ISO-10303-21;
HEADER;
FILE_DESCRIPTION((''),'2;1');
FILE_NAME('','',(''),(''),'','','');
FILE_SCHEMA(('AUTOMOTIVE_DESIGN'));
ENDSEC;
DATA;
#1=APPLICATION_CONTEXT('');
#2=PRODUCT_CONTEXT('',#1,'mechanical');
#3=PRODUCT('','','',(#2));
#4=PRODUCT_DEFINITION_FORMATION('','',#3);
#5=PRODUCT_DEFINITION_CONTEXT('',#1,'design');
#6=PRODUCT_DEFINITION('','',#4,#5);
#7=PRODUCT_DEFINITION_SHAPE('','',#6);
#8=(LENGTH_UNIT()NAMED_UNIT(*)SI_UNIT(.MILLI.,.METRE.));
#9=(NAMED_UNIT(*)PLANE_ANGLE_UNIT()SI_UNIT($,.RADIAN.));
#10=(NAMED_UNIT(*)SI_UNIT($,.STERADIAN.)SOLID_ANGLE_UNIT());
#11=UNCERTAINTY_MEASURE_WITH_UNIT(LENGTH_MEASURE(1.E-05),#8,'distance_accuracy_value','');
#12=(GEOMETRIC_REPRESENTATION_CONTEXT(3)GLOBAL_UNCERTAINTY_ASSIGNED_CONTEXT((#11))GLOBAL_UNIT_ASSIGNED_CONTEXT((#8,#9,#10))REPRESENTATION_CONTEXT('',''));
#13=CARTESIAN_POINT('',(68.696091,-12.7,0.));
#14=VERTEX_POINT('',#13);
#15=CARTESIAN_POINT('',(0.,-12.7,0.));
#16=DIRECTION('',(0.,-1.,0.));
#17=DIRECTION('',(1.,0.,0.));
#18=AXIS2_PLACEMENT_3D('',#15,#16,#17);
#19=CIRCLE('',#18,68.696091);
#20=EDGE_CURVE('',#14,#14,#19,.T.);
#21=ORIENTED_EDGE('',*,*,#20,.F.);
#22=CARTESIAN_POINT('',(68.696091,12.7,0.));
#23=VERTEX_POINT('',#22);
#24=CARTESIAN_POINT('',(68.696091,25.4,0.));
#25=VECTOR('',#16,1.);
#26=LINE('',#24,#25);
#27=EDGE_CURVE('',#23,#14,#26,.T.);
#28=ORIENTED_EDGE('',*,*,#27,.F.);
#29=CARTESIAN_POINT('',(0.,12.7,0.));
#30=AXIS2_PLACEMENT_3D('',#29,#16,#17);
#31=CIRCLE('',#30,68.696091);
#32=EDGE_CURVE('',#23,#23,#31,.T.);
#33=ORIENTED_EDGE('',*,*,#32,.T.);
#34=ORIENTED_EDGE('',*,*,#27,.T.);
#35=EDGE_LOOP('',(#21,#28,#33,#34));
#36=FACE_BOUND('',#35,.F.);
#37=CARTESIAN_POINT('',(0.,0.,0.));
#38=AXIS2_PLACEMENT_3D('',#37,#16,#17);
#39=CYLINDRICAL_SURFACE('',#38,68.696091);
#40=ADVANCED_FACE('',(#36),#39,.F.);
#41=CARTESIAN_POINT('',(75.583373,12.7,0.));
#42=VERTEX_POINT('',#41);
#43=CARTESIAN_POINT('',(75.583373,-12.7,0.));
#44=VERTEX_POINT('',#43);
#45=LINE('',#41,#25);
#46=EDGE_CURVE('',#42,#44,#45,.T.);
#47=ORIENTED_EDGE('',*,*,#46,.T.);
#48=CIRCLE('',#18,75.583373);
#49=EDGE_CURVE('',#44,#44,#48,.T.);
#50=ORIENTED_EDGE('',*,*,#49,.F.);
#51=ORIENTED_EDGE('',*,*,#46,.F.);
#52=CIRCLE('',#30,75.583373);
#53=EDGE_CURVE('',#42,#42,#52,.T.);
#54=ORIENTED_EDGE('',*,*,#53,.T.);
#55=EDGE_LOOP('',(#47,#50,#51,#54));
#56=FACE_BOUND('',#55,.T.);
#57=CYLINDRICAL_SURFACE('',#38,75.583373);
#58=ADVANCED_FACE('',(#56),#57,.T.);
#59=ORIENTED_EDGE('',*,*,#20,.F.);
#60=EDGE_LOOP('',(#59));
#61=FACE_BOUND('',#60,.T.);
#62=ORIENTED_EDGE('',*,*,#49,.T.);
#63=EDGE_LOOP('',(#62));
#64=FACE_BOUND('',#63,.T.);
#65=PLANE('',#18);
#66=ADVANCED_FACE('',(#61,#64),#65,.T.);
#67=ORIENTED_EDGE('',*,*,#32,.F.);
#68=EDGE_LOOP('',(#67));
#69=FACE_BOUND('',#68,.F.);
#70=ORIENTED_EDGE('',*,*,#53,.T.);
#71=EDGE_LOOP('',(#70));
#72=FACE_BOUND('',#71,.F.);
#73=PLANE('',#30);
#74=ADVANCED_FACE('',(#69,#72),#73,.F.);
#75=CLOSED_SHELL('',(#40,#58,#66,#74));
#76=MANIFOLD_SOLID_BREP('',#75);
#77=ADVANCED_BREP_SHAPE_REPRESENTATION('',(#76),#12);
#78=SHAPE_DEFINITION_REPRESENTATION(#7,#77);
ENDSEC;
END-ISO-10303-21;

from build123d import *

# Parameters (mm, degrees)
F0_R     = 75.583373
F1_DEPTH = 12.7
F2_R     = 68.696091
F3_DEPTH = 25.4


with BuildPart() as f1:
    # F0 (on Front) → F1 (new body, symmetric)
    with BuildSketch(Plane.XZ):
        Circle(F0_R)
    extrude(amount=F1_DEPTH, both=True)

    # F2 (on Front) → F3 (cut, symmetric)
    with BuildSketch(Plane.XZ):
        Circle(F2_R)
    extrude(amount=F3_DEPTH, both=True, mode=Mode.SUBTRACT)


solid = f1.part
